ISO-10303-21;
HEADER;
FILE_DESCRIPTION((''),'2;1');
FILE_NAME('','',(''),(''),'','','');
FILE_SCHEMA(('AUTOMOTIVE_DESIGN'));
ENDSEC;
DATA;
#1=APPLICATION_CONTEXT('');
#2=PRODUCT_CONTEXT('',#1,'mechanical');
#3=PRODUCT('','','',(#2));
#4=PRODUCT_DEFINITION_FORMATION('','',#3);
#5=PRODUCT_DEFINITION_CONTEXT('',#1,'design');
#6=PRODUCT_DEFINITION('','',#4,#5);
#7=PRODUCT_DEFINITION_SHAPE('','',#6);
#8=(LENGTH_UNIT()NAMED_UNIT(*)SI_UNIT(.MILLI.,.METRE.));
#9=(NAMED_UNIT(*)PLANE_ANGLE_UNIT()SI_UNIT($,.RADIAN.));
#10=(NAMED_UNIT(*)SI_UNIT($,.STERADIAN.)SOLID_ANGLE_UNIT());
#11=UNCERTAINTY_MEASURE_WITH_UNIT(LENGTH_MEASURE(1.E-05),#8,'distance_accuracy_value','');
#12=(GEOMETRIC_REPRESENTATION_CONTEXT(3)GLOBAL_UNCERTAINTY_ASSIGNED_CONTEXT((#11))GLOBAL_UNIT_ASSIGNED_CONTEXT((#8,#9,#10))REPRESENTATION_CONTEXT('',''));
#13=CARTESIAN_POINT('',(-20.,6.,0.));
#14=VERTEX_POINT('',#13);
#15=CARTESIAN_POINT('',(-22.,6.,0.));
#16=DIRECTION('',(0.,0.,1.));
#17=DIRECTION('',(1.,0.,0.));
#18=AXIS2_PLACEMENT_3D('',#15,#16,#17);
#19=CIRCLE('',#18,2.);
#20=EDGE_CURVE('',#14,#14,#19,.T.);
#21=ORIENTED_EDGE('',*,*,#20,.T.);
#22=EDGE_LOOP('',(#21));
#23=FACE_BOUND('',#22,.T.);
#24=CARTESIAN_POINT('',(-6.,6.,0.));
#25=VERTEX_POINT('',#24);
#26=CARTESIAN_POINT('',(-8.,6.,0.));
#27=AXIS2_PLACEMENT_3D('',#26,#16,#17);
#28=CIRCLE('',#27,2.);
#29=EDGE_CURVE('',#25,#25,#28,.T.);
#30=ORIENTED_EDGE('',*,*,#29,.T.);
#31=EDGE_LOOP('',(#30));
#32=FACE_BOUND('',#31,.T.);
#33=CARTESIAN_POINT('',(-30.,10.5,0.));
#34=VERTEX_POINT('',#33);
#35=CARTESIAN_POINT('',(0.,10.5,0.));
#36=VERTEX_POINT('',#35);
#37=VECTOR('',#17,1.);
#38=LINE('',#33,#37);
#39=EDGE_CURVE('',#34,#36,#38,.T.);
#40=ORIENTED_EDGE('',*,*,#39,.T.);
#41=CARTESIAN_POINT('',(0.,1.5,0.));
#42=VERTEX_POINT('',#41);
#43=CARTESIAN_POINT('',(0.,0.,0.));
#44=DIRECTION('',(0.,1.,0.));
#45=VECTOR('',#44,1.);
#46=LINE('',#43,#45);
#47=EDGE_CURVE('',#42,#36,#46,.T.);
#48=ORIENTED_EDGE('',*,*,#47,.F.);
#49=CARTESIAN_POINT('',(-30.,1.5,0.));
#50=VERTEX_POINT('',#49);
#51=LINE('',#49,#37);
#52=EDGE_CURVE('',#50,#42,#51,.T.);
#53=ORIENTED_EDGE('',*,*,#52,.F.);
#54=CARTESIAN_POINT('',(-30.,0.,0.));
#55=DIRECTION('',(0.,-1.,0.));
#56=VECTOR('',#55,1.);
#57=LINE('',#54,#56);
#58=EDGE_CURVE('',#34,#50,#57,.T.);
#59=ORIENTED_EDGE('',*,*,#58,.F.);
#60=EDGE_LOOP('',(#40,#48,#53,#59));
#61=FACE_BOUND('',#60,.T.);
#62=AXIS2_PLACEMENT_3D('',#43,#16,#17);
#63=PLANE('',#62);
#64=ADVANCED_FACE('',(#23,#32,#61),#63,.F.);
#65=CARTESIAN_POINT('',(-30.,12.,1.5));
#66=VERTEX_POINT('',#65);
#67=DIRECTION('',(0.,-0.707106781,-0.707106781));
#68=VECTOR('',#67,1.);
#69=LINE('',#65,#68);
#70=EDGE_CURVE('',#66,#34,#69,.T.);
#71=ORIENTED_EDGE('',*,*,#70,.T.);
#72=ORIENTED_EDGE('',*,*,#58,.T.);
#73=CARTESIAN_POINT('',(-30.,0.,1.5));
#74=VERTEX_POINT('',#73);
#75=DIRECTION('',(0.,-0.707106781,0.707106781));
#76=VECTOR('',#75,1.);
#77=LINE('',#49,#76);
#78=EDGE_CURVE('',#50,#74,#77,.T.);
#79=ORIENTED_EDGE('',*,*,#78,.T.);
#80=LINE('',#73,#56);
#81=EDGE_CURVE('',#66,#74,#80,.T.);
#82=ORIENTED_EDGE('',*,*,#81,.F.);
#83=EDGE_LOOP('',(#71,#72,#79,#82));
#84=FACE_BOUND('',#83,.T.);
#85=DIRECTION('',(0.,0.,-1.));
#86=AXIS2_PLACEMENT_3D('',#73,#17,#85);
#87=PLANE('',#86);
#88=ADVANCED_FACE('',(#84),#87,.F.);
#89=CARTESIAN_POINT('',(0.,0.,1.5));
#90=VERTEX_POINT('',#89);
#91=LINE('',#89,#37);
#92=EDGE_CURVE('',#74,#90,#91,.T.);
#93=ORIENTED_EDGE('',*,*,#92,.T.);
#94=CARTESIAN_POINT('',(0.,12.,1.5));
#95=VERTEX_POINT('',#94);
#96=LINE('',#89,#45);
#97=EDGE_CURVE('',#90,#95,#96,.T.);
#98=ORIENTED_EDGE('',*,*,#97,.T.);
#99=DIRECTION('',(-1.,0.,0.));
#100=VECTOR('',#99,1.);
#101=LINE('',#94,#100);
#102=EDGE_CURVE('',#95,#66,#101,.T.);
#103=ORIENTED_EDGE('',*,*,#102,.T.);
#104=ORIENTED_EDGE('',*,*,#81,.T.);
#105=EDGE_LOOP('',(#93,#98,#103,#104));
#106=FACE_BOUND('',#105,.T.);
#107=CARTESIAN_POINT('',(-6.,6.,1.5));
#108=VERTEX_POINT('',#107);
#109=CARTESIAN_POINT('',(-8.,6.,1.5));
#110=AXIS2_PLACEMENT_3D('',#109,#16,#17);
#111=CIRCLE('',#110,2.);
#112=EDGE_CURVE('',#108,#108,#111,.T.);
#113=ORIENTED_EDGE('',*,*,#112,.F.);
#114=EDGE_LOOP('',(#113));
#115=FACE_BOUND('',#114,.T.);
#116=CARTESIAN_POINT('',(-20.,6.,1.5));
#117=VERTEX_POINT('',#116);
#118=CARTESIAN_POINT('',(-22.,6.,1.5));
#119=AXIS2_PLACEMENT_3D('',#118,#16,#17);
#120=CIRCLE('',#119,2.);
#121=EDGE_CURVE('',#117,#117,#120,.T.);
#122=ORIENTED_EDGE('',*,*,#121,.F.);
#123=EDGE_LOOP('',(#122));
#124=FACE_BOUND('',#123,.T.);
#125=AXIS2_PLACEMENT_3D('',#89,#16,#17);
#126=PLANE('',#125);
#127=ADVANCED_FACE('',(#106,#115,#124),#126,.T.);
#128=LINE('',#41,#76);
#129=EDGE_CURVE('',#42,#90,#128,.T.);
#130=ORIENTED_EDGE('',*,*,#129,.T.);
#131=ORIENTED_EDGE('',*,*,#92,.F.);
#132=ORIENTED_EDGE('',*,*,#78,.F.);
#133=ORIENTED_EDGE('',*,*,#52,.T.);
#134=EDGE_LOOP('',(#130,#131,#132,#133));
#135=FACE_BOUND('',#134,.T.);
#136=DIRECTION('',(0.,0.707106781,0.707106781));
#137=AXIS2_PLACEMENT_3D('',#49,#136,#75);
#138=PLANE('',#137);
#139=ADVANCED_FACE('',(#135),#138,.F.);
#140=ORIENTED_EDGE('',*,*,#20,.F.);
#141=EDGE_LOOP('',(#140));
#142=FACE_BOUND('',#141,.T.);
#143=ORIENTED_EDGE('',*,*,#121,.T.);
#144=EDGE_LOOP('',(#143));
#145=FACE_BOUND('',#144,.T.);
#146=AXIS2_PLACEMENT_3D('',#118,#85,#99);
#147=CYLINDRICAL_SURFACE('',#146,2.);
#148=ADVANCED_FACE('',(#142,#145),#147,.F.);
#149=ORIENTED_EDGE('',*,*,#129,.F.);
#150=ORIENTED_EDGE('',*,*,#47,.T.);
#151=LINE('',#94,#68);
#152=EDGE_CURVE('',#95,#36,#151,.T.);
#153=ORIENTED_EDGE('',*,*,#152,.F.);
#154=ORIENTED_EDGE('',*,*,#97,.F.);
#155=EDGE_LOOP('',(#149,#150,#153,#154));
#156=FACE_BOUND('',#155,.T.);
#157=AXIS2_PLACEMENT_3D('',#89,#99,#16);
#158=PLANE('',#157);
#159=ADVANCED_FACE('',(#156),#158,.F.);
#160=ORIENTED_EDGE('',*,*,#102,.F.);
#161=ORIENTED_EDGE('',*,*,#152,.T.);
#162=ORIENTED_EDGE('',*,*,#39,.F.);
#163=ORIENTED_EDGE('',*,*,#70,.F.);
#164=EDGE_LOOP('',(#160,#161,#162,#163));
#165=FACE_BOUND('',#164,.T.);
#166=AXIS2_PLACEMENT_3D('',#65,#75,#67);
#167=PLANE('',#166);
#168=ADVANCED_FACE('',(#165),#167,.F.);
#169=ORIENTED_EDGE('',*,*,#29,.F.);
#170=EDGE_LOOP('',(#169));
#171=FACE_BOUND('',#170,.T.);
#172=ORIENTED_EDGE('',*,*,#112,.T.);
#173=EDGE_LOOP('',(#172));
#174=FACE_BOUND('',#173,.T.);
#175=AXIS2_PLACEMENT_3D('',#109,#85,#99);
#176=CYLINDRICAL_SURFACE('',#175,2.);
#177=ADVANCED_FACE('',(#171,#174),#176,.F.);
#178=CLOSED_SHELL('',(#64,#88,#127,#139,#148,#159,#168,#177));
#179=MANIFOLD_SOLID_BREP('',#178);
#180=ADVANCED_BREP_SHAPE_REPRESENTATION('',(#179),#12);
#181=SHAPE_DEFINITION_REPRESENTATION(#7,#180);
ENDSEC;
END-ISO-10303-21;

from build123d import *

# Parameters (mm, degrees)
SKETCH1_W           = 30
SKETCH1_H           = 12
SKETCH1_R           = 2
BOSS_EXTRUDE1_DEPTH = 1.5
CUT_EXTRUDE1_DEPTH  = 31


with BuildPart() as part:
    # Sketch1 → Boss-Extrude1 (new body)
    with BuildSketch(Plane.XY):
        with Locations((-15, 6)):
            Rectangle(SKETCH1_W, SKETCH1_H)
        with Locations((-22, 6)):
            Circle(SKETCH1_R, mode=Mode.SUBTRACT)
        with Locations((-8, 6)):
            Circle(SKETCH1_R, mode=Mode.SUBTRACT)
    extrude(amount=BOSS_EXTRUDE1_DEPTH)

    # Sketch2 → Cut-Extrude1 (cut, through all)
    with BuildSketch(Plane(origin=(0, 0, 0), x_dir=(0, 0, -1), z_dir=(1, 0, 0))):
        Polygon((0, 12), (-1.5, 12), (0, 10.5), align=None)
        Polygon((0, 0), (0, 1.5), (-1.5, 0), align=None)
    extrude(amount=-CUT_EXTRUDE1_DEPTH, mode=Mode.SUBTRACT)


solid = part.part
